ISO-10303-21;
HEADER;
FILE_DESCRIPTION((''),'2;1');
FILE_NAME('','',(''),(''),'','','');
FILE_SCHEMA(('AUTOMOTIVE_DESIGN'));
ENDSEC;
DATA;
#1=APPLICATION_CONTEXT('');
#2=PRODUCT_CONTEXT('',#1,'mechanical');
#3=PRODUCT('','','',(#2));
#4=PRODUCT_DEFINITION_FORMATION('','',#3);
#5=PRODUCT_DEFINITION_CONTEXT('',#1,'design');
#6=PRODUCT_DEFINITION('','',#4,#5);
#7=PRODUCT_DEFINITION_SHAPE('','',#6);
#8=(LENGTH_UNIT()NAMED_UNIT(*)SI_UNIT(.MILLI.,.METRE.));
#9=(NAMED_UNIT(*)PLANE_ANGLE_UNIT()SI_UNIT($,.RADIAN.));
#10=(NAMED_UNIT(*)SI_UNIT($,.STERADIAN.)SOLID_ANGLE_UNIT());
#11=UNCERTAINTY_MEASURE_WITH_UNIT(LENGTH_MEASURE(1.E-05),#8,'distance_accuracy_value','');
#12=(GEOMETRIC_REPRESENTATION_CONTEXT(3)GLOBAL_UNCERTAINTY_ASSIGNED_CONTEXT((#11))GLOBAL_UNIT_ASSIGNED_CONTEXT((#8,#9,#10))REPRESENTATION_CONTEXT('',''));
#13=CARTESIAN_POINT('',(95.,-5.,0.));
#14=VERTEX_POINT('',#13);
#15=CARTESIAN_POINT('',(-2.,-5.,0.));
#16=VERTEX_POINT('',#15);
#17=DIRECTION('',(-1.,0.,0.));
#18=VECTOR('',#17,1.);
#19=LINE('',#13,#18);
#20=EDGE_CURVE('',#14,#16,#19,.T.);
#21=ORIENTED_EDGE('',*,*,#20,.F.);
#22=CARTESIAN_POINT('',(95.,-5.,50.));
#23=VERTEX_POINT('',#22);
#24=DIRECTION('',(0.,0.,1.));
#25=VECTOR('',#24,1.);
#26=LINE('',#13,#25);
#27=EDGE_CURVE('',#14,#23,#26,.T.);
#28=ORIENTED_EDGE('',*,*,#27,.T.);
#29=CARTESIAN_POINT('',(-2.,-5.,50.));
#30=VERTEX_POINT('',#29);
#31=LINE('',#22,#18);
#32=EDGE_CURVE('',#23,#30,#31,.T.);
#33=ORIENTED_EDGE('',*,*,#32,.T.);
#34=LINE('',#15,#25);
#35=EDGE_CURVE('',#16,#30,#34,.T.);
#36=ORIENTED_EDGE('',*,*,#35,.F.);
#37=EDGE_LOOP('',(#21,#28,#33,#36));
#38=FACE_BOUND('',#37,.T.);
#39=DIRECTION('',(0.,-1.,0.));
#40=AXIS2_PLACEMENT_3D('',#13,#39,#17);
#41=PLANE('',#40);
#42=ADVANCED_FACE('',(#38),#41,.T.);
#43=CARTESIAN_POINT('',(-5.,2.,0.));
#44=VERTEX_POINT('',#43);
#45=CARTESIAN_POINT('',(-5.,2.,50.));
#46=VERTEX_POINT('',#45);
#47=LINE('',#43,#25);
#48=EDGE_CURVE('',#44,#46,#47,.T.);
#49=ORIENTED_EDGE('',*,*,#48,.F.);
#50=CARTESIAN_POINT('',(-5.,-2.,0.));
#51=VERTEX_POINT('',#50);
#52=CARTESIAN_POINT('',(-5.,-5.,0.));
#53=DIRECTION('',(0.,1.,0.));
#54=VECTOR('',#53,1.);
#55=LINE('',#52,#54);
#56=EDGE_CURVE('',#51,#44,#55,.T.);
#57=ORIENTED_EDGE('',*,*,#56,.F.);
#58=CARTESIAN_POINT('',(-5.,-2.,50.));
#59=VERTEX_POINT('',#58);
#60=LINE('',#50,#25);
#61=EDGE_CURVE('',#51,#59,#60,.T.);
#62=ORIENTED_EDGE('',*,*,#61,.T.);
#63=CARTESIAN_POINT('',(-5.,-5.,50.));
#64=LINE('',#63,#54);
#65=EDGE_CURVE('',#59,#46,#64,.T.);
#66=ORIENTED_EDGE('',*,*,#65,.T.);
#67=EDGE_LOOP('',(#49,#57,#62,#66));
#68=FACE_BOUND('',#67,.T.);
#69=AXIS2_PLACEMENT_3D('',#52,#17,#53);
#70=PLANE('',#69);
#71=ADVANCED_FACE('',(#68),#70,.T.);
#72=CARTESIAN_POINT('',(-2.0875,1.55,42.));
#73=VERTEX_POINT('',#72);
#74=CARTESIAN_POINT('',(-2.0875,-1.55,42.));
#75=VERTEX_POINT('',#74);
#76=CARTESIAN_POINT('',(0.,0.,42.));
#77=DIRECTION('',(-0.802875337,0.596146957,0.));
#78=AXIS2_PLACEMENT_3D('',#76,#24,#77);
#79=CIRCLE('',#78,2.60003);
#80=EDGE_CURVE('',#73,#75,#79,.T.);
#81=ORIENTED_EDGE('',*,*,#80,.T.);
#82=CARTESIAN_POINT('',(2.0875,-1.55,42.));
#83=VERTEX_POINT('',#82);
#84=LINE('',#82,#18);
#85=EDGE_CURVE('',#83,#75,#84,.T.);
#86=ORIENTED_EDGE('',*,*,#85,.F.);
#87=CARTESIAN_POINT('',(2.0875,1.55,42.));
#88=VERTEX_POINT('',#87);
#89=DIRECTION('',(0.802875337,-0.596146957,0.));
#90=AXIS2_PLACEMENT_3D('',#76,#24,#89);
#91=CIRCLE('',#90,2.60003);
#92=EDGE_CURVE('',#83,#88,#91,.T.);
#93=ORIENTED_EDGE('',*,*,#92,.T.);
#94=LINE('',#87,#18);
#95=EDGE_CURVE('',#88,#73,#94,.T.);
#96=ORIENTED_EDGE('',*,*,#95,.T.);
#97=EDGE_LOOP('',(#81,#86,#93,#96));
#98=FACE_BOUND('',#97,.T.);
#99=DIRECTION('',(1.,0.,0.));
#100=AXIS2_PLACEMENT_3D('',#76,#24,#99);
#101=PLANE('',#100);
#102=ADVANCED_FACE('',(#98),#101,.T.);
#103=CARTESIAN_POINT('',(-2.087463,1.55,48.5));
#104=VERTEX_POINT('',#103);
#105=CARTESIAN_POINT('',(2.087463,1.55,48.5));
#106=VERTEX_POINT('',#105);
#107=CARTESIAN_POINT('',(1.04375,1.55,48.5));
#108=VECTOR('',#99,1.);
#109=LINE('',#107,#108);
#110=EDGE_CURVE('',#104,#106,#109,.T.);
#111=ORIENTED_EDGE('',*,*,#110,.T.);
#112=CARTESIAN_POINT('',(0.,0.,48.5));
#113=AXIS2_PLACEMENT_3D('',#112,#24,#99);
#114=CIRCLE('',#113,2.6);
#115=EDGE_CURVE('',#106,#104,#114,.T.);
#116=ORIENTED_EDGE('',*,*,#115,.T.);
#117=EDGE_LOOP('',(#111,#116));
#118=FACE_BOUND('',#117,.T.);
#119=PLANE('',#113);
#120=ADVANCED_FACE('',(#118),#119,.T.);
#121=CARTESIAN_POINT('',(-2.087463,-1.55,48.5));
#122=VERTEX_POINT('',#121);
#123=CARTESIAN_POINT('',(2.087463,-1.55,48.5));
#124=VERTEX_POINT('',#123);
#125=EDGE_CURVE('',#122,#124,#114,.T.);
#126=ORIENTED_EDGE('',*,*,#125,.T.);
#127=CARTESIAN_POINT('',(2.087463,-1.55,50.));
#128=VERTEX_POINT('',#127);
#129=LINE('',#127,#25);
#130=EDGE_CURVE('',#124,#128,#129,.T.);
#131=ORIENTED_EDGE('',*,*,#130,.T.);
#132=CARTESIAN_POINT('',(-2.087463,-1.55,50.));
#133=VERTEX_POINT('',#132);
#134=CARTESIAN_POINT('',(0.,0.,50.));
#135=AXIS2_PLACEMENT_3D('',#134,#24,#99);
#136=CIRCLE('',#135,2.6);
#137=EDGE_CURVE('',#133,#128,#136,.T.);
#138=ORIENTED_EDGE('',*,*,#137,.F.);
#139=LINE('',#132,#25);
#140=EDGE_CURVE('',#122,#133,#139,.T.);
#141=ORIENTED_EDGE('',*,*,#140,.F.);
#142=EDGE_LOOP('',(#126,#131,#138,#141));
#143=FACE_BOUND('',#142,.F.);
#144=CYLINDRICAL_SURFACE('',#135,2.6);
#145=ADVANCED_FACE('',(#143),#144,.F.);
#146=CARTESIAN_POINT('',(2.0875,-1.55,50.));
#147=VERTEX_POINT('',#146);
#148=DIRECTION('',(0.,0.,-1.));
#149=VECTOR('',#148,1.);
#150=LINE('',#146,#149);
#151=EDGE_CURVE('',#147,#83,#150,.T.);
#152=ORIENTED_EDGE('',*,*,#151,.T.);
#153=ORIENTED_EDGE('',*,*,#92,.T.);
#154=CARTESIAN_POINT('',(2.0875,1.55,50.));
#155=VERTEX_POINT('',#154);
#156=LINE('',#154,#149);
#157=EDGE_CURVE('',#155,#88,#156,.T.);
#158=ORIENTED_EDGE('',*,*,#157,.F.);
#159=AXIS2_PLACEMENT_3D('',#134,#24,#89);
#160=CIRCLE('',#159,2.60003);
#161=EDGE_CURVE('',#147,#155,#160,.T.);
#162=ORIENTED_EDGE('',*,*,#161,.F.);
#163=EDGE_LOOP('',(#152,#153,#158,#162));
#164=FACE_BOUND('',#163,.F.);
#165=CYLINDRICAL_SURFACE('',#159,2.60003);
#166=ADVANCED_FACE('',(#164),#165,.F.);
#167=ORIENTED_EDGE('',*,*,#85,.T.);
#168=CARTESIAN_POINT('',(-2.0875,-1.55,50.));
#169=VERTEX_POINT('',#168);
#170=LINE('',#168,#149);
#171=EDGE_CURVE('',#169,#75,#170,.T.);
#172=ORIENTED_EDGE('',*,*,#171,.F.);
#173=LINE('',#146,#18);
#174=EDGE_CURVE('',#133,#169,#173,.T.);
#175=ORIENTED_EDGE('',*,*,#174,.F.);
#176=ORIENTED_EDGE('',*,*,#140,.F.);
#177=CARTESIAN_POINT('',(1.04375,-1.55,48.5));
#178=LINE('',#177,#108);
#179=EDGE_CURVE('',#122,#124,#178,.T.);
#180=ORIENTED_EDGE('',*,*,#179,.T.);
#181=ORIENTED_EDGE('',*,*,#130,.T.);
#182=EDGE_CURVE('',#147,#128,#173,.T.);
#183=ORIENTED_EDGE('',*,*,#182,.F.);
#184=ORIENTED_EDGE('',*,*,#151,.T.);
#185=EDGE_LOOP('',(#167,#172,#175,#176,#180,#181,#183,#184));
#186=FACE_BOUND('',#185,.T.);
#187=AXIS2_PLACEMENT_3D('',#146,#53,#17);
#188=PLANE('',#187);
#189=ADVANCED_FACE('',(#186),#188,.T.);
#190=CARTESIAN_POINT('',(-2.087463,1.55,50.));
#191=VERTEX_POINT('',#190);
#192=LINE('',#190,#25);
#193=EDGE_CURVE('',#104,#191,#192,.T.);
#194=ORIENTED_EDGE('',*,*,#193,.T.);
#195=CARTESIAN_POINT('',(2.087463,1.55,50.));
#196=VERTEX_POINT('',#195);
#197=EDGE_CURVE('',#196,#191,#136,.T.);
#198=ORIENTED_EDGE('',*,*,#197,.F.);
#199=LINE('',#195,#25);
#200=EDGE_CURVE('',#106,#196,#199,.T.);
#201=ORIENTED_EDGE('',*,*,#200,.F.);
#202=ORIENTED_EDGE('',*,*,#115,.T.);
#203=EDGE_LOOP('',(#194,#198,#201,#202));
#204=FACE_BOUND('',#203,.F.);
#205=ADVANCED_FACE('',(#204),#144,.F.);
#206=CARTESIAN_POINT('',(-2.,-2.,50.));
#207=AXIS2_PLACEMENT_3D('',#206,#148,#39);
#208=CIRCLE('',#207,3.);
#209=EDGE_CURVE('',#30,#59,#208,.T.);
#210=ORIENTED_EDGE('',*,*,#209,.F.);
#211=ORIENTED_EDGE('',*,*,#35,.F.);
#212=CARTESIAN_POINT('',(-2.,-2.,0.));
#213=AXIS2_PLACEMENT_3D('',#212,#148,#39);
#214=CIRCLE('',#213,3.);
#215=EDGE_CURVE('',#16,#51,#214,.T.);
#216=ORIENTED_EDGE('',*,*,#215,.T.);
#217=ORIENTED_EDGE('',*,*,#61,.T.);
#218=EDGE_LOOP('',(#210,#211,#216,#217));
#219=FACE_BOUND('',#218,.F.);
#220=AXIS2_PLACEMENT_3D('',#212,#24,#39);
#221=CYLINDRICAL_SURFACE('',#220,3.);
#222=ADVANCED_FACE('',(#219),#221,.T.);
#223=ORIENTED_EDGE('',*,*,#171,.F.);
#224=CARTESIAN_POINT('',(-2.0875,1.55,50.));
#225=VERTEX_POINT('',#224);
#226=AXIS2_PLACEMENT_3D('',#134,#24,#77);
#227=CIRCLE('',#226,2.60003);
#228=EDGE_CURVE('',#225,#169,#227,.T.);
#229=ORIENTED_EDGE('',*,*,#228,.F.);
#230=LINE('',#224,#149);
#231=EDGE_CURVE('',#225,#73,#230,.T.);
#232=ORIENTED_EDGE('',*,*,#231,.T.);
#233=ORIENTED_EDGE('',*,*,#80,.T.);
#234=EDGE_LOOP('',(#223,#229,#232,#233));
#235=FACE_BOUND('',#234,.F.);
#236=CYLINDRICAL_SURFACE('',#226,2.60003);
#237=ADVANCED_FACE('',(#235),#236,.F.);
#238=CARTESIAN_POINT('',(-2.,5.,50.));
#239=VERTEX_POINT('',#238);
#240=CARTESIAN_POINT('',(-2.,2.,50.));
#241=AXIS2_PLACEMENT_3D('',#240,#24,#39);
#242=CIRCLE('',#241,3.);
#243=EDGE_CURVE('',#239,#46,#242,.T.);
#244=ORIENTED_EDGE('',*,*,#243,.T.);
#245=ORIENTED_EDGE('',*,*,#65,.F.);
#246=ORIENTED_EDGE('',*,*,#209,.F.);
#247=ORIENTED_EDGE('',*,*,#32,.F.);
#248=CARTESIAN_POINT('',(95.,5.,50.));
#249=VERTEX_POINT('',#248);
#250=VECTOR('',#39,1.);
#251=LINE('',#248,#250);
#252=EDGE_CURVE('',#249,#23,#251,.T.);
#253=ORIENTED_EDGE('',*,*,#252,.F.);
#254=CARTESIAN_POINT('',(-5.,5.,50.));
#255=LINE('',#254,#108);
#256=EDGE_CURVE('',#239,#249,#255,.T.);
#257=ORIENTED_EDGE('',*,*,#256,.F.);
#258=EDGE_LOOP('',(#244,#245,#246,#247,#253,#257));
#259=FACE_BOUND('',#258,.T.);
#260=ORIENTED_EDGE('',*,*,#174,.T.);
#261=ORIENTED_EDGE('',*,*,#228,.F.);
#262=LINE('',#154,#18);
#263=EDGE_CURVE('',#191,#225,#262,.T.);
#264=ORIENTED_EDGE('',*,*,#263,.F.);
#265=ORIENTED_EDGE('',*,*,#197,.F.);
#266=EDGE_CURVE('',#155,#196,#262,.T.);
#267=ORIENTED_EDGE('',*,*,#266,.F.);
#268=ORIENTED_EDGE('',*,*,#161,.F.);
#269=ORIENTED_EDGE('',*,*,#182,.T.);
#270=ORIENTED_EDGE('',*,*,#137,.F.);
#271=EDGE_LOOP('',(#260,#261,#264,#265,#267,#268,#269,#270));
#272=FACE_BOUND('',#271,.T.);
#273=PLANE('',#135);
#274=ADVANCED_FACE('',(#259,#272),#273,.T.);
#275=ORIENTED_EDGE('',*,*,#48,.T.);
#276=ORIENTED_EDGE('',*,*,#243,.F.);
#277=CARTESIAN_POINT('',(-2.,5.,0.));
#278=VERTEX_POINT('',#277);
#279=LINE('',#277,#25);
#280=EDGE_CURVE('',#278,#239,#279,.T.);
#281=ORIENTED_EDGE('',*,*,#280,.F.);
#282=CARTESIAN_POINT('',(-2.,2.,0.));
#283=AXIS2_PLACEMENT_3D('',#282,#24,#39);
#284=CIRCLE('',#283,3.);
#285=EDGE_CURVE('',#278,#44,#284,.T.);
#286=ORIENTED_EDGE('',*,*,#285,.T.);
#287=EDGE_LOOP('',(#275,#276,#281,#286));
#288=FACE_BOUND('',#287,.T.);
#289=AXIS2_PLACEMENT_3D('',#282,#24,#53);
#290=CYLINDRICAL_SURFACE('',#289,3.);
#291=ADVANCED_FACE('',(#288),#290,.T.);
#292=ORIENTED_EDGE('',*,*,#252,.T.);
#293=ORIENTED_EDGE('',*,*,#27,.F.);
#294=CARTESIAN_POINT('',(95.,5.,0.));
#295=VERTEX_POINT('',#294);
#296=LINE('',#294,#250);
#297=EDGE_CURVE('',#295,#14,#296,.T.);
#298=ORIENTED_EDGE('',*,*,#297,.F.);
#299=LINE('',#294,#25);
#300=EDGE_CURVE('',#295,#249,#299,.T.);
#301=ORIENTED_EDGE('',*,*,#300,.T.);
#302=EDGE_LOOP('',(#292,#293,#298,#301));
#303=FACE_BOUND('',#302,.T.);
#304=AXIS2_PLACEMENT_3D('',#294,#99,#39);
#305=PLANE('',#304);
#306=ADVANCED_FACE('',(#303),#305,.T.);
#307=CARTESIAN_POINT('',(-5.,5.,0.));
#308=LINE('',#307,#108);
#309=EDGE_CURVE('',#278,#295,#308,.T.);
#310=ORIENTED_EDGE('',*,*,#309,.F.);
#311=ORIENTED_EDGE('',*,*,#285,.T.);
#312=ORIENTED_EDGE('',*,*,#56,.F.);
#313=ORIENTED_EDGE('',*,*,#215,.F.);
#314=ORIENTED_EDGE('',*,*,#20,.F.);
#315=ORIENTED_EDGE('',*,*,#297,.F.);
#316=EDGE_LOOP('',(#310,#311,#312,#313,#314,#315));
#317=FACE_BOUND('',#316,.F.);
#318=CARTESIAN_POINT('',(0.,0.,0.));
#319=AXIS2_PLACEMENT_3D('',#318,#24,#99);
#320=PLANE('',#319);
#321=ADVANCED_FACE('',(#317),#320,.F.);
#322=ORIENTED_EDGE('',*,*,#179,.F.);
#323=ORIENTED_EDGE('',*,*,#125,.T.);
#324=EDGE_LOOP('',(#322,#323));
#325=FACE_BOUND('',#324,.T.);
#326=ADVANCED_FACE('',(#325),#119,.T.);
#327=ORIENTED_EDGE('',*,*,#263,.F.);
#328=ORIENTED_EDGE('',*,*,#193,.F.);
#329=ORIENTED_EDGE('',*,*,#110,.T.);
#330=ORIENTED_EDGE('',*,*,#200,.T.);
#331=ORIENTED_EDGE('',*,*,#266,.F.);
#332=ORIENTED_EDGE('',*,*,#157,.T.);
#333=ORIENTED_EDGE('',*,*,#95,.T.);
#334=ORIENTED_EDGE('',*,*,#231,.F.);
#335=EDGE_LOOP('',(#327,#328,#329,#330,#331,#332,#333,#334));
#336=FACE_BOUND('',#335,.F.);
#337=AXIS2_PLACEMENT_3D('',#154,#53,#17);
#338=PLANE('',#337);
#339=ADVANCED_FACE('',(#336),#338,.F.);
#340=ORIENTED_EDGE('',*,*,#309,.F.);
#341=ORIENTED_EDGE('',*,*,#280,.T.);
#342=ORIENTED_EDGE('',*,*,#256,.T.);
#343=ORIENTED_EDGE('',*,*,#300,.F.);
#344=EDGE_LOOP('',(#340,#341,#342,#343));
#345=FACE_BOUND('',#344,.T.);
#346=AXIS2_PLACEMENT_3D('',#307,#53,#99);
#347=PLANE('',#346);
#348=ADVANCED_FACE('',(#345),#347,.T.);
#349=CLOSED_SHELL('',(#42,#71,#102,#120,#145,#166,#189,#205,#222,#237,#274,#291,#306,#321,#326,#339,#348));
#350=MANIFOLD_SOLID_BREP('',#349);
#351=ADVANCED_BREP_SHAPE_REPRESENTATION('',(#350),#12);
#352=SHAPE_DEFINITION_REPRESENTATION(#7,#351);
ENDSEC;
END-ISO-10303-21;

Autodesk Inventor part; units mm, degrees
ref_plane "YZ Plane" through (0, 0, 0) normal (1, 0, 0) x (0, 1, 0)
ref_plane "XZ Plane" through (0, 0, 0) normal (0, 1, 0) x (-1, 0, 0)
ref_plane "XY Plane" through (0, 0, 0) normal (0, 0, 1) x (1, 0, 0)
sketch "Sketch1" plane through (0, 0, 0) normal (0, 0, 1) x (1, 0, 0)
  line L0 (-5, 5) -> (95, 5)
  line L1 (95, 5) -> (95, -5)
  line L2 (95, -5) -> (-5, -5)
  line L3 (-5, -5) -> (-5, 5)
  line L4 (0, 0) -> (0, 5) construction
  line L5 (0, 0) -> (0, -5) construction
  line L6 (0, 0) -> (-5, 0) construction
  dimension "d0" = 100
  dimension "d1" = 10
extrude "Extrusion1" add sketch "Sketch1" along normal blind 50
fillet "Fillet1" radius 3 2 edges at (-5, -5, 25) (-5, 5, 25)
sketch "Sketch2" plane through (0, 0, 50) normal (0, 0, 1) x (1, 0, 0)
  line L0 (2.0875, -1.55) -> (-2.0875, -1.55)
  line L1 (2.0875, 1.55) -> (-2.0875, 1.55)
  arc A0 (2.0875, -1.55) -> (2.0875, 1.55) centre (0, 0) ccw
  arc A1 (-2.0875, 1.55) -> (-2.0875, -1.55) centre (0, 0) ccw
  point P0 (2.6, 0)
  point P1 (-2.6, 0)
  dimension "d9" = 2.6
  dimension "d10" = 3.1
extrude "Extrusion2" cut sketch "Sketch2" against normal blind 8
sketch "Sketch3" plane through (0, 0, 50) normal (0, 0, 1) x (1, 0, 0)
  circle A0 centre (0, 0) radius 2.6
  dimension "d13" = 5.2
extrude "Extrusion3" cut sketch "Sketch3" against normal blind 1.5
properties part number "13042025-02"
